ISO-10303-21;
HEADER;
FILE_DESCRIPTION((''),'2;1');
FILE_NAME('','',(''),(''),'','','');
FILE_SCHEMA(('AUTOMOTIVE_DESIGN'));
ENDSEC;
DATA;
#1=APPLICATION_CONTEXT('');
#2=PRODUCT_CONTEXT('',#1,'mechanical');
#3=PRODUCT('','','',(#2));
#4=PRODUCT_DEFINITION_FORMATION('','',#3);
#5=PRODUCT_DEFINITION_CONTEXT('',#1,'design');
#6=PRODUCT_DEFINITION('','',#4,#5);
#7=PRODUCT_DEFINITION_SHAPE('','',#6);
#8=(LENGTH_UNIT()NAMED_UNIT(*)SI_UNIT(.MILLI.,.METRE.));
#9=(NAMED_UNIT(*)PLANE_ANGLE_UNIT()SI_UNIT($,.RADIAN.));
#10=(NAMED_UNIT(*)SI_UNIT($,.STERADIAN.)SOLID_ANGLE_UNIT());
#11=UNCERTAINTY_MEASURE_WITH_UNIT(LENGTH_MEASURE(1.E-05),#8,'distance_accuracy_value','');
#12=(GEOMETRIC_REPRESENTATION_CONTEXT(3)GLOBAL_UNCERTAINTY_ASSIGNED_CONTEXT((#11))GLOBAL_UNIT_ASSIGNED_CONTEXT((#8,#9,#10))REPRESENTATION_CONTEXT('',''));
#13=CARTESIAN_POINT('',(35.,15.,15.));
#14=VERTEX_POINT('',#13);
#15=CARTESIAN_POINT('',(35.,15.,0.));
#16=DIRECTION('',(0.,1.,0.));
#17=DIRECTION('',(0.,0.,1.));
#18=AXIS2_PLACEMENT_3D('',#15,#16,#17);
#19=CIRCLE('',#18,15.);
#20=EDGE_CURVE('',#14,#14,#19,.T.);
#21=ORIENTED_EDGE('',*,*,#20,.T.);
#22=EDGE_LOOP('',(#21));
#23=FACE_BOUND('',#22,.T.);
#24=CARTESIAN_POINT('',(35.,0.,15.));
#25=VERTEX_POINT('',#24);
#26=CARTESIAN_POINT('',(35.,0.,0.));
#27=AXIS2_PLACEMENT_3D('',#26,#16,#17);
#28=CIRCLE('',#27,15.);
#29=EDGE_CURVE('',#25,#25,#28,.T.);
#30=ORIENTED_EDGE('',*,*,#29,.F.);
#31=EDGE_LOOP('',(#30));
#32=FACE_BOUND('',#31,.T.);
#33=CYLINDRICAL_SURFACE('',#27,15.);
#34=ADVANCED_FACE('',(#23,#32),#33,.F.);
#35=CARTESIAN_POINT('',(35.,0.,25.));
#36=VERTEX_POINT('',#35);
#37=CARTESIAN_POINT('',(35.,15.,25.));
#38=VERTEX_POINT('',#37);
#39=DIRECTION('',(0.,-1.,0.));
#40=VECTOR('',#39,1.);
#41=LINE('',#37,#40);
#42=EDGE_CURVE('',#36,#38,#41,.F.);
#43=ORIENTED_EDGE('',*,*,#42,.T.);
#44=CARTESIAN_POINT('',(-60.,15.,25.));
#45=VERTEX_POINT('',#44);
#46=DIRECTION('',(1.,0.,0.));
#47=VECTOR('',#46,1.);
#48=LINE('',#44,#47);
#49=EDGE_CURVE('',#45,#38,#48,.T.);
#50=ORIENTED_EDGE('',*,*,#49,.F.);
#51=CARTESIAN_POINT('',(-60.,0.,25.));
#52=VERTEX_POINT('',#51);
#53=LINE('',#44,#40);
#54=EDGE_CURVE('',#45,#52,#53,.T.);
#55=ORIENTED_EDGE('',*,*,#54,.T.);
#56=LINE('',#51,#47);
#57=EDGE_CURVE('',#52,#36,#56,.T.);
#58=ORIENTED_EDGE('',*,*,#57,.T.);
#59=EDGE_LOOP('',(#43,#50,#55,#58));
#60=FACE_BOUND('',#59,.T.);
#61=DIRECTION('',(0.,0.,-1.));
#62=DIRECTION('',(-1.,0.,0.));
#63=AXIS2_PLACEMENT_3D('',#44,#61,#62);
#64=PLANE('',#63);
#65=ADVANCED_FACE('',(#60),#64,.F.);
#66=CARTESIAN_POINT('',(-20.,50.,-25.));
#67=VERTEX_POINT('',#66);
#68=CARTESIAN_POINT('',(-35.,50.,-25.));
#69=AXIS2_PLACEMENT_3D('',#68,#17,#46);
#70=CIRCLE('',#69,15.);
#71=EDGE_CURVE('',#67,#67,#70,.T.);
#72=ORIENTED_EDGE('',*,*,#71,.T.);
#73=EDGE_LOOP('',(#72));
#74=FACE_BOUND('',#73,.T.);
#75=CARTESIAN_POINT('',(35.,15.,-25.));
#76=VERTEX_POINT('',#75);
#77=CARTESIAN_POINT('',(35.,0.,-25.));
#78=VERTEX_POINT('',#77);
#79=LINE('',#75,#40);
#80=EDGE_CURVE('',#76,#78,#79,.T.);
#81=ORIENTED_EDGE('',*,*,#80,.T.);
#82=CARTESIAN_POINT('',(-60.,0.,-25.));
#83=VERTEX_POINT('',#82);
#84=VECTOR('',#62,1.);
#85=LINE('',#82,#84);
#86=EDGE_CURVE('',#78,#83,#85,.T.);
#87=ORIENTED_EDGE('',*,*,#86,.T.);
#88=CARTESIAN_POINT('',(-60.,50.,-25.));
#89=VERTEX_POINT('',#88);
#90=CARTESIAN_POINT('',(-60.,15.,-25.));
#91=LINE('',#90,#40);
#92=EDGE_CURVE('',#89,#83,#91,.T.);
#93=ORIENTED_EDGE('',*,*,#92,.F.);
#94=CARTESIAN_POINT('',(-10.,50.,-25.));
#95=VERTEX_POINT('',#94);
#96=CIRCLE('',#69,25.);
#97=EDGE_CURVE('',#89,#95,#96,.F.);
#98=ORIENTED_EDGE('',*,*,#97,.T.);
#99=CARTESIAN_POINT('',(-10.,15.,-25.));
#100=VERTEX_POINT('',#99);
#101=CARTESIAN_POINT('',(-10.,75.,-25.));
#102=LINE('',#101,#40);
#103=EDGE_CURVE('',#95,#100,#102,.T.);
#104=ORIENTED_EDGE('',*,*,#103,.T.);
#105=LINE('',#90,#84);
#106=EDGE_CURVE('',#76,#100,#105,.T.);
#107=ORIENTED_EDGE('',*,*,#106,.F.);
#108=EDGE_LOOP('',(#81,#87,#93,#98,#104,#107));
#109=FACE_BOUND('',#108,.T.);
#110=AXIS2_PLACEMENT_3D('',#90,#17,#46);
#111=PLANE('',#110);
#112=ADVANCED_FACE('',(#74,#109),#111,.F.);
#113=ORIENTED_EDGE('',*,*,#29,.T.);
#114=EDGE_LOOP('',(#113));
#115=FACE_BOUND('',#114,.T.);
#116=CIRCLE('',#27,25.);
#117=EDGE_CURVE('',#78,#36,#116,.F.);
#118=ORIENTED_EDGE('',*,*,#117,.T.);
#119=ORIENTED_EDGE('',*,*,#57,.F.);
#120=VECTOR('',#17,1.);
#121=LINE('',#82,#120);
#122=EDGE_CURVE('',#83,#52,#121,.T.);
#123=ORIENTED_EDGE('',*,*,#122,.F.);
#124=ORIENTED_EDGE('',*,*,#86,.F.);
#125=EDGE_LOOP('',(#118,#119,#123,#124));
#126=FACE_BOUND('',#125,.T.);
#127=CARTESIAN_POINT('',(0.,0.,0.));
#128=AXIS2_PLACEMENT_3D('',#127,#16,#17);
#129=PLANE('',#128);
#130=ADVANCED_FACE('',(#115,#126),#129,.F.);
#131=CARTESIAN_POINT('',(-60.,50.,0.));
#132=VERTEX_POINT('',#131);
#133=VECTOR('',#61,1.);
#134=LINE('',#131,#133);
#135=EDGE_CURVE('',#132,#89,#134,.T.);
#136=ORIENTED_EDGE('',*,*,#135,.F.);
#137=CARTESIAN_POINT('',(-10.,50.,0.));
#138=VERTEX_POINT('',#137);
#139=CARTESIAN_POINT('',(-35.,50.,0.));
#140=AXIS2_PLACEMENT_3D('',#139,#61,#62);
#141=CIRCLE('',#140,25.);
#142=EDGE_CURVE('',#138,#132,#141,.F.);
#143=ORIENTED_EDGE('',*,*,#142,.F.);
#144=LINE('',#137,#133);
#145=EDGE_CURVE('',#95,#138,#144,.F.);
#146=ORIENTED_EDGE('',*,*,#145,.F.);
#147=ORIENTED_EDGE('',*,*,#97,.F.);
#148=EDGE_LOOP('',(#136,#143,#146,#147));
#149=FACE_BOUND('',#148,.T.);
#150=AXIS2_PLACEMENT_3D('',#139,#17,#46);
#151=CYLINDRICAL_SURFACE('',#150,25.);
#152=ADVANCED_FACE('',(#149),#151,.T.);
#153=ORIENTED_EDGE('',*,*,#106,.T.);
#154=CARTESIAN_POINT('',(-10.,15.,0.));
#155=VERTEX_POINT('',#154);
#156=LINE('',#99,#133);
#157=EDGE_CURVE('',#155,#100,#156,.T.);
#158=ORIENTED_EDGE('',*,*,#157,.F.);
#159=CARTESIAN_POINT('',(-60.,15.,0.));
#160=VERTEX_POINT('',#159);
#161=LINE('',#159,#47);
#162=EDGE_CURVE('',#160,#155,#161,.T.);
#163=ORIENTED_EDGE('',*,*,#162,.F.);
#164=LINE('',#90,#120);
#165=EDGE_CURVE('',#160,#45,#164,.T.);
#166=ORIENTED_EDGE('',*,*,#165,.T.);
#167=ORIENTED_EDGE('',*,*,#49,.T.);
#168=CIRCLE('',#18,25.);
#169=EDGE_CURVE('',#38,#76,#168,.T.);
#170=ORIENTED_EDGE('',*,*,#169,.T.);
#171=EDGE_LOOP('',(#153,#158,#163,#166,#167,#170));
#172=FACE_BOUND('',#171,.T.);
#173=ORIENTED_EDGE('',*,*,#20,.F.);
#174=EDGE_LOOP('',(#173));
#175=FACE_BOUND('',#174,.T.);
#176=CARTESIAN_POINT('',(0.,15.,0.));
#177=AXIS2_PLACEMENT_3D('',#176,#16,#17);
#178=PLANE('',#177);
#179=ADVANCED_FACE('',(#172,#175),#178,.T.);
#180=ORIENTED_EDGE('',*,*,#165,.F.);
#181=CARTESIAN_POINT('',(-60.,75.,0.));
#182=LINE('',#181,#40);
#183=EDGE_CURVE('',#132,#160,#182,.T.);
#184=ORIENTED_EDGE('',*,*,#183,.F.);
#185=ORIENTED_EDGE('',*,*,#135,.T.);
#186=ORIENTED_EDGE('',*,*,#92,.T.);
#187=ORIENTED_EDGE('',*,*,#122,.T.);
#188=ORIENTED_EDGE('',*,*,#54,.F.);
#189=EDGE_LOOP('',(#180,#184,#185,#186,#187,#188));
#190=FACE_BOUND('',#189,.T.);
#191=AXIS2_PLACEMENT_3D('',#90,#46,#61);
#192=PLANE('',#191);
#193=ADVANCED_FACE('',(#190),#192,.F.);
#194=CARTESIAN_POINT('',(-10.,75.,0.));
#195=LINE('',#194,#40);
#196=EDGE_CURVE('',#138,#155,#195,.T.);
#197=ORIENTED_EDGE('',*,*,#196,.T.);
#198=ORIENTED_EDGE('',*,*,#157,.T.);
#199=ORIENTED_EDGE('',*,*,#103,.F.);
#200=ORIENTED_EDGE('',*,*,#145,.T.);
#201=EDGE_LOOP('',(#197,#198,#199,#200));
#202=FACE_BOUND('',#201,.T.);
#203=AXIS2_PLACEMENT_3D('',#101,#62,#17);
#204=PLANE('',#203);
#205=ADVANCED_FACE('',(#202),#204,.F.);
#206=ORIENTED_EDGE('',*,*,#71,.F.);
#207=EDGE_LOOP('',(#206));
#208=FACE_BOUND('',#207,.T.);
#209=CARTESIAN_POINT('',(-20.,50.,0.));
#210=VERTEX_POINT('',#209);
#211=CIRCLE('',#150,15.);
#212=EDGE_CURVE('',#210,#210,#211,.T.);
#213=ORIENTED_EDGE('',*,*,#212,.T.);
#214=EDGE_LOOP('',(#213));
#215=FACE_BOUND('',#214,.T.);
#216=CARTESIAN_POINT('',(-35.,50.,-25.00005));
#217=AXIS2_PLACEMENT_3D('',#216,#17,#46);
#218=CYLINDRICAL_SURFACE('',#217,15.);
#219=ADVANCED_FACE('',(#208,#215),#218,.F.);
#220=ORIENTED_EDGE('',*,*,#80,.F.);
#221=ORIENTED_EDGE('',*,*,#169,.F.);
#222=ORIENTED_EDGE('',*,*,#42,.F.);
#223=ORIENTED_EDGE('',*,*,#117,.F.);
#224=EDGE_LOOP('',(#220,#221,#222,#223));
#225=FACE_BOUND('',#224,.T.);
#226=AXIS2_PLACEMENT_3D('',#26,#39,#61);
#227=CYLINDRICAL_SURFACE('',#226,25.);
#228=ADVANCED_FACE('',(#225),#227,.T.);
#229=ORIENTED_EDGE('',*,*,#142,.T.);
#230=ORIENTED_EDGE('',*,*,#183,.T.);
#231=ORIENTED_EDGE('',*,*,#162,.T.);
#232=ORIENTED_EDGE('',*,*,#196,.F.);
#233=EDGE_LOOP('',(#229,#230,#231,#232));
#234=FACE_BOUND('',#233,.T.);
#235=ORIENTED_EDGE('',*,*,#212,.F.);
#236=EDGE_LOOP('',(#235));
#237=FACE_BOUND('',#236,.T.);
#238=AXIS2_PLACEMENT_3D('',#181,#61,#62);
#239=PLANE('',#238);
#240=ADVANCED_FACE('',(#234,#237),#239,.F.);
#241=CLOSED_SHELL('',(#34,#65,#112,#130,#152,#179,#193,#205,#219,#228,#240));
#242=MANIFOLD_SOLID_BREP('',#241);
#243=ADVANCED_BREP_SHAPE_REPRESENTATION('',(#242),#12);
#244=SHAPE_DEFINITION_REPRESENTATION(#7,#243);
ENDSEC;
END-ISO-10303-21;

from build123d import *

# Parameters (mm, degrees)
CROQUIS1_W              = 120
CROQUIS1_H              = 50
SALIENTE_EXTRUIR1_DEPTH = 15
CROQUIS2_W              = 50
CROQUIS2_H              = 25
SALIENTE_EXTRUIR2_DEPTH = 60
REDONDEO5_RADIUS        = 25
REDONDEO5_LENGTH        = 25
REDONDEO6_RADIUS        = 25
REDONDEO6_LENGTH        = 15
CROQUIS3_R              = 15
CORTAR_EXTRUIR1_DEPTH   = 89.459030065
CROQUIS4_R              = 15
CORTAR_EXTRUIR2_DEPTH   = 100.247166206


with BuildPart() as part:
    # Croquis1 → Saliente-Extruir1 (new body)
    with BuildSketch(Plane(origin=(0, 0, 0), x_dir=(1, 0, 0), z_dir=(0, 1, 0))):
        Rectangle(CROQUIS1_W, CROQUIS1_H)
    extrude(amount=SALIENTE_EXTRUIR1_DEPTH)

    # Croquis2 → Saliente-Extruir2 (add)
    with BuildSketch(Plane(origin=(0, 15, 0), x_dir=(1, 0, 0), z_dir=(0, 1, 0))):
        with Locations((-35, 12.5)):
            Rectangle(CROQUIS2_W, CROQUIS2_H)
    extrude(amount=SALIENTE_EXTRUIR2_DEPTH)

    # Redondeo5: full round fillet: the end face becomes a half cylinder, R = half its width
    redondeo5_face = Plane((-35, 75, -12.5), x_dir=(0, 0, 1), z_dir=(0, 1, 0))  # on the end face: x along it, z out of the body
    redondeo5_slab = redondeo5_face.offset(-REDONDEO5_RADIUS / 2) * Box(REDONDEO5_LENGTH, 2 * REDONDEO5_RADIUS, REDONDEO5_RADIUS, mode=Mode.PRIVATE)  # the body's end, R deep
    redondeo5_round = Plane((-35, 50, -12.5), x_dir=(0, 1, 0), z_dir=(0, 0, 1)) * Cylinder(REDONDEO5_RADIUS, REDONDEO5_LENGTH, mode=Mode.PRIVATE)  # its axis R under the face
    add(redondeo5_slab - redondeo5_round, mode=Mode.SUBTRACT)

    # Redondeo6: full round fillet: the end face becomes a half cylinder, R = half its width
    redondeo6_face = Plane((60, 7.5, 0), x_dir=(0, -1, 0), z_dir=(1, 0, 0))  # on the end face: x along it, z out of the body
    redondeo6_slab = redondeo6_face.offset(-REDONDEO6_RADIUS / 2) * Box(REDONDEO6_LENGTH, 2 * REDONDEO6_RADIUS, REDONDEO6_RADIUS, mode=Mode.PRIVATE)  # the body's end, R deep
    redondeo6_round = Plane((35, 7.5, 0), x_dir=(1, 0, 0), z_dir=(0, -1, 0)) * Cylinder(REDONDEO6_RADIUS, REDONDEO6_LENGTH, mode=Mode.PRIVATE)  # its axis R under the face
    add(redondeo6_slab - redondeo6_round, mode=Mode.SUBTRACT)

    # Croquis3 → Cortar-Extruir1 (cut, through all)
    with BuildSketch(Plane(origin=(0, 15, 0), x_dir=(1, 0, 0), z_dir=(0, 1, 0))):
        with Locations(Location((35, 0, 0), (0, 0, 270))):
            Circle(CROQUIS3_R)
    extrude(amount=-CORTAR_EXTRUIR1_DEPTH, mode=Mode.SUBTRACT)

    # Croquis4 → Cortar-Extruir2 (cut, through all)
    with BuildSketch(Plane.XY):
        with Locations((-35, 50)):
            Circle(CROQUIS4_R)
    extrude(amount=-CORTAR_EXTRUIR2_DEPTH, mode=Mode.SUBTRACT)


solid = part.part
